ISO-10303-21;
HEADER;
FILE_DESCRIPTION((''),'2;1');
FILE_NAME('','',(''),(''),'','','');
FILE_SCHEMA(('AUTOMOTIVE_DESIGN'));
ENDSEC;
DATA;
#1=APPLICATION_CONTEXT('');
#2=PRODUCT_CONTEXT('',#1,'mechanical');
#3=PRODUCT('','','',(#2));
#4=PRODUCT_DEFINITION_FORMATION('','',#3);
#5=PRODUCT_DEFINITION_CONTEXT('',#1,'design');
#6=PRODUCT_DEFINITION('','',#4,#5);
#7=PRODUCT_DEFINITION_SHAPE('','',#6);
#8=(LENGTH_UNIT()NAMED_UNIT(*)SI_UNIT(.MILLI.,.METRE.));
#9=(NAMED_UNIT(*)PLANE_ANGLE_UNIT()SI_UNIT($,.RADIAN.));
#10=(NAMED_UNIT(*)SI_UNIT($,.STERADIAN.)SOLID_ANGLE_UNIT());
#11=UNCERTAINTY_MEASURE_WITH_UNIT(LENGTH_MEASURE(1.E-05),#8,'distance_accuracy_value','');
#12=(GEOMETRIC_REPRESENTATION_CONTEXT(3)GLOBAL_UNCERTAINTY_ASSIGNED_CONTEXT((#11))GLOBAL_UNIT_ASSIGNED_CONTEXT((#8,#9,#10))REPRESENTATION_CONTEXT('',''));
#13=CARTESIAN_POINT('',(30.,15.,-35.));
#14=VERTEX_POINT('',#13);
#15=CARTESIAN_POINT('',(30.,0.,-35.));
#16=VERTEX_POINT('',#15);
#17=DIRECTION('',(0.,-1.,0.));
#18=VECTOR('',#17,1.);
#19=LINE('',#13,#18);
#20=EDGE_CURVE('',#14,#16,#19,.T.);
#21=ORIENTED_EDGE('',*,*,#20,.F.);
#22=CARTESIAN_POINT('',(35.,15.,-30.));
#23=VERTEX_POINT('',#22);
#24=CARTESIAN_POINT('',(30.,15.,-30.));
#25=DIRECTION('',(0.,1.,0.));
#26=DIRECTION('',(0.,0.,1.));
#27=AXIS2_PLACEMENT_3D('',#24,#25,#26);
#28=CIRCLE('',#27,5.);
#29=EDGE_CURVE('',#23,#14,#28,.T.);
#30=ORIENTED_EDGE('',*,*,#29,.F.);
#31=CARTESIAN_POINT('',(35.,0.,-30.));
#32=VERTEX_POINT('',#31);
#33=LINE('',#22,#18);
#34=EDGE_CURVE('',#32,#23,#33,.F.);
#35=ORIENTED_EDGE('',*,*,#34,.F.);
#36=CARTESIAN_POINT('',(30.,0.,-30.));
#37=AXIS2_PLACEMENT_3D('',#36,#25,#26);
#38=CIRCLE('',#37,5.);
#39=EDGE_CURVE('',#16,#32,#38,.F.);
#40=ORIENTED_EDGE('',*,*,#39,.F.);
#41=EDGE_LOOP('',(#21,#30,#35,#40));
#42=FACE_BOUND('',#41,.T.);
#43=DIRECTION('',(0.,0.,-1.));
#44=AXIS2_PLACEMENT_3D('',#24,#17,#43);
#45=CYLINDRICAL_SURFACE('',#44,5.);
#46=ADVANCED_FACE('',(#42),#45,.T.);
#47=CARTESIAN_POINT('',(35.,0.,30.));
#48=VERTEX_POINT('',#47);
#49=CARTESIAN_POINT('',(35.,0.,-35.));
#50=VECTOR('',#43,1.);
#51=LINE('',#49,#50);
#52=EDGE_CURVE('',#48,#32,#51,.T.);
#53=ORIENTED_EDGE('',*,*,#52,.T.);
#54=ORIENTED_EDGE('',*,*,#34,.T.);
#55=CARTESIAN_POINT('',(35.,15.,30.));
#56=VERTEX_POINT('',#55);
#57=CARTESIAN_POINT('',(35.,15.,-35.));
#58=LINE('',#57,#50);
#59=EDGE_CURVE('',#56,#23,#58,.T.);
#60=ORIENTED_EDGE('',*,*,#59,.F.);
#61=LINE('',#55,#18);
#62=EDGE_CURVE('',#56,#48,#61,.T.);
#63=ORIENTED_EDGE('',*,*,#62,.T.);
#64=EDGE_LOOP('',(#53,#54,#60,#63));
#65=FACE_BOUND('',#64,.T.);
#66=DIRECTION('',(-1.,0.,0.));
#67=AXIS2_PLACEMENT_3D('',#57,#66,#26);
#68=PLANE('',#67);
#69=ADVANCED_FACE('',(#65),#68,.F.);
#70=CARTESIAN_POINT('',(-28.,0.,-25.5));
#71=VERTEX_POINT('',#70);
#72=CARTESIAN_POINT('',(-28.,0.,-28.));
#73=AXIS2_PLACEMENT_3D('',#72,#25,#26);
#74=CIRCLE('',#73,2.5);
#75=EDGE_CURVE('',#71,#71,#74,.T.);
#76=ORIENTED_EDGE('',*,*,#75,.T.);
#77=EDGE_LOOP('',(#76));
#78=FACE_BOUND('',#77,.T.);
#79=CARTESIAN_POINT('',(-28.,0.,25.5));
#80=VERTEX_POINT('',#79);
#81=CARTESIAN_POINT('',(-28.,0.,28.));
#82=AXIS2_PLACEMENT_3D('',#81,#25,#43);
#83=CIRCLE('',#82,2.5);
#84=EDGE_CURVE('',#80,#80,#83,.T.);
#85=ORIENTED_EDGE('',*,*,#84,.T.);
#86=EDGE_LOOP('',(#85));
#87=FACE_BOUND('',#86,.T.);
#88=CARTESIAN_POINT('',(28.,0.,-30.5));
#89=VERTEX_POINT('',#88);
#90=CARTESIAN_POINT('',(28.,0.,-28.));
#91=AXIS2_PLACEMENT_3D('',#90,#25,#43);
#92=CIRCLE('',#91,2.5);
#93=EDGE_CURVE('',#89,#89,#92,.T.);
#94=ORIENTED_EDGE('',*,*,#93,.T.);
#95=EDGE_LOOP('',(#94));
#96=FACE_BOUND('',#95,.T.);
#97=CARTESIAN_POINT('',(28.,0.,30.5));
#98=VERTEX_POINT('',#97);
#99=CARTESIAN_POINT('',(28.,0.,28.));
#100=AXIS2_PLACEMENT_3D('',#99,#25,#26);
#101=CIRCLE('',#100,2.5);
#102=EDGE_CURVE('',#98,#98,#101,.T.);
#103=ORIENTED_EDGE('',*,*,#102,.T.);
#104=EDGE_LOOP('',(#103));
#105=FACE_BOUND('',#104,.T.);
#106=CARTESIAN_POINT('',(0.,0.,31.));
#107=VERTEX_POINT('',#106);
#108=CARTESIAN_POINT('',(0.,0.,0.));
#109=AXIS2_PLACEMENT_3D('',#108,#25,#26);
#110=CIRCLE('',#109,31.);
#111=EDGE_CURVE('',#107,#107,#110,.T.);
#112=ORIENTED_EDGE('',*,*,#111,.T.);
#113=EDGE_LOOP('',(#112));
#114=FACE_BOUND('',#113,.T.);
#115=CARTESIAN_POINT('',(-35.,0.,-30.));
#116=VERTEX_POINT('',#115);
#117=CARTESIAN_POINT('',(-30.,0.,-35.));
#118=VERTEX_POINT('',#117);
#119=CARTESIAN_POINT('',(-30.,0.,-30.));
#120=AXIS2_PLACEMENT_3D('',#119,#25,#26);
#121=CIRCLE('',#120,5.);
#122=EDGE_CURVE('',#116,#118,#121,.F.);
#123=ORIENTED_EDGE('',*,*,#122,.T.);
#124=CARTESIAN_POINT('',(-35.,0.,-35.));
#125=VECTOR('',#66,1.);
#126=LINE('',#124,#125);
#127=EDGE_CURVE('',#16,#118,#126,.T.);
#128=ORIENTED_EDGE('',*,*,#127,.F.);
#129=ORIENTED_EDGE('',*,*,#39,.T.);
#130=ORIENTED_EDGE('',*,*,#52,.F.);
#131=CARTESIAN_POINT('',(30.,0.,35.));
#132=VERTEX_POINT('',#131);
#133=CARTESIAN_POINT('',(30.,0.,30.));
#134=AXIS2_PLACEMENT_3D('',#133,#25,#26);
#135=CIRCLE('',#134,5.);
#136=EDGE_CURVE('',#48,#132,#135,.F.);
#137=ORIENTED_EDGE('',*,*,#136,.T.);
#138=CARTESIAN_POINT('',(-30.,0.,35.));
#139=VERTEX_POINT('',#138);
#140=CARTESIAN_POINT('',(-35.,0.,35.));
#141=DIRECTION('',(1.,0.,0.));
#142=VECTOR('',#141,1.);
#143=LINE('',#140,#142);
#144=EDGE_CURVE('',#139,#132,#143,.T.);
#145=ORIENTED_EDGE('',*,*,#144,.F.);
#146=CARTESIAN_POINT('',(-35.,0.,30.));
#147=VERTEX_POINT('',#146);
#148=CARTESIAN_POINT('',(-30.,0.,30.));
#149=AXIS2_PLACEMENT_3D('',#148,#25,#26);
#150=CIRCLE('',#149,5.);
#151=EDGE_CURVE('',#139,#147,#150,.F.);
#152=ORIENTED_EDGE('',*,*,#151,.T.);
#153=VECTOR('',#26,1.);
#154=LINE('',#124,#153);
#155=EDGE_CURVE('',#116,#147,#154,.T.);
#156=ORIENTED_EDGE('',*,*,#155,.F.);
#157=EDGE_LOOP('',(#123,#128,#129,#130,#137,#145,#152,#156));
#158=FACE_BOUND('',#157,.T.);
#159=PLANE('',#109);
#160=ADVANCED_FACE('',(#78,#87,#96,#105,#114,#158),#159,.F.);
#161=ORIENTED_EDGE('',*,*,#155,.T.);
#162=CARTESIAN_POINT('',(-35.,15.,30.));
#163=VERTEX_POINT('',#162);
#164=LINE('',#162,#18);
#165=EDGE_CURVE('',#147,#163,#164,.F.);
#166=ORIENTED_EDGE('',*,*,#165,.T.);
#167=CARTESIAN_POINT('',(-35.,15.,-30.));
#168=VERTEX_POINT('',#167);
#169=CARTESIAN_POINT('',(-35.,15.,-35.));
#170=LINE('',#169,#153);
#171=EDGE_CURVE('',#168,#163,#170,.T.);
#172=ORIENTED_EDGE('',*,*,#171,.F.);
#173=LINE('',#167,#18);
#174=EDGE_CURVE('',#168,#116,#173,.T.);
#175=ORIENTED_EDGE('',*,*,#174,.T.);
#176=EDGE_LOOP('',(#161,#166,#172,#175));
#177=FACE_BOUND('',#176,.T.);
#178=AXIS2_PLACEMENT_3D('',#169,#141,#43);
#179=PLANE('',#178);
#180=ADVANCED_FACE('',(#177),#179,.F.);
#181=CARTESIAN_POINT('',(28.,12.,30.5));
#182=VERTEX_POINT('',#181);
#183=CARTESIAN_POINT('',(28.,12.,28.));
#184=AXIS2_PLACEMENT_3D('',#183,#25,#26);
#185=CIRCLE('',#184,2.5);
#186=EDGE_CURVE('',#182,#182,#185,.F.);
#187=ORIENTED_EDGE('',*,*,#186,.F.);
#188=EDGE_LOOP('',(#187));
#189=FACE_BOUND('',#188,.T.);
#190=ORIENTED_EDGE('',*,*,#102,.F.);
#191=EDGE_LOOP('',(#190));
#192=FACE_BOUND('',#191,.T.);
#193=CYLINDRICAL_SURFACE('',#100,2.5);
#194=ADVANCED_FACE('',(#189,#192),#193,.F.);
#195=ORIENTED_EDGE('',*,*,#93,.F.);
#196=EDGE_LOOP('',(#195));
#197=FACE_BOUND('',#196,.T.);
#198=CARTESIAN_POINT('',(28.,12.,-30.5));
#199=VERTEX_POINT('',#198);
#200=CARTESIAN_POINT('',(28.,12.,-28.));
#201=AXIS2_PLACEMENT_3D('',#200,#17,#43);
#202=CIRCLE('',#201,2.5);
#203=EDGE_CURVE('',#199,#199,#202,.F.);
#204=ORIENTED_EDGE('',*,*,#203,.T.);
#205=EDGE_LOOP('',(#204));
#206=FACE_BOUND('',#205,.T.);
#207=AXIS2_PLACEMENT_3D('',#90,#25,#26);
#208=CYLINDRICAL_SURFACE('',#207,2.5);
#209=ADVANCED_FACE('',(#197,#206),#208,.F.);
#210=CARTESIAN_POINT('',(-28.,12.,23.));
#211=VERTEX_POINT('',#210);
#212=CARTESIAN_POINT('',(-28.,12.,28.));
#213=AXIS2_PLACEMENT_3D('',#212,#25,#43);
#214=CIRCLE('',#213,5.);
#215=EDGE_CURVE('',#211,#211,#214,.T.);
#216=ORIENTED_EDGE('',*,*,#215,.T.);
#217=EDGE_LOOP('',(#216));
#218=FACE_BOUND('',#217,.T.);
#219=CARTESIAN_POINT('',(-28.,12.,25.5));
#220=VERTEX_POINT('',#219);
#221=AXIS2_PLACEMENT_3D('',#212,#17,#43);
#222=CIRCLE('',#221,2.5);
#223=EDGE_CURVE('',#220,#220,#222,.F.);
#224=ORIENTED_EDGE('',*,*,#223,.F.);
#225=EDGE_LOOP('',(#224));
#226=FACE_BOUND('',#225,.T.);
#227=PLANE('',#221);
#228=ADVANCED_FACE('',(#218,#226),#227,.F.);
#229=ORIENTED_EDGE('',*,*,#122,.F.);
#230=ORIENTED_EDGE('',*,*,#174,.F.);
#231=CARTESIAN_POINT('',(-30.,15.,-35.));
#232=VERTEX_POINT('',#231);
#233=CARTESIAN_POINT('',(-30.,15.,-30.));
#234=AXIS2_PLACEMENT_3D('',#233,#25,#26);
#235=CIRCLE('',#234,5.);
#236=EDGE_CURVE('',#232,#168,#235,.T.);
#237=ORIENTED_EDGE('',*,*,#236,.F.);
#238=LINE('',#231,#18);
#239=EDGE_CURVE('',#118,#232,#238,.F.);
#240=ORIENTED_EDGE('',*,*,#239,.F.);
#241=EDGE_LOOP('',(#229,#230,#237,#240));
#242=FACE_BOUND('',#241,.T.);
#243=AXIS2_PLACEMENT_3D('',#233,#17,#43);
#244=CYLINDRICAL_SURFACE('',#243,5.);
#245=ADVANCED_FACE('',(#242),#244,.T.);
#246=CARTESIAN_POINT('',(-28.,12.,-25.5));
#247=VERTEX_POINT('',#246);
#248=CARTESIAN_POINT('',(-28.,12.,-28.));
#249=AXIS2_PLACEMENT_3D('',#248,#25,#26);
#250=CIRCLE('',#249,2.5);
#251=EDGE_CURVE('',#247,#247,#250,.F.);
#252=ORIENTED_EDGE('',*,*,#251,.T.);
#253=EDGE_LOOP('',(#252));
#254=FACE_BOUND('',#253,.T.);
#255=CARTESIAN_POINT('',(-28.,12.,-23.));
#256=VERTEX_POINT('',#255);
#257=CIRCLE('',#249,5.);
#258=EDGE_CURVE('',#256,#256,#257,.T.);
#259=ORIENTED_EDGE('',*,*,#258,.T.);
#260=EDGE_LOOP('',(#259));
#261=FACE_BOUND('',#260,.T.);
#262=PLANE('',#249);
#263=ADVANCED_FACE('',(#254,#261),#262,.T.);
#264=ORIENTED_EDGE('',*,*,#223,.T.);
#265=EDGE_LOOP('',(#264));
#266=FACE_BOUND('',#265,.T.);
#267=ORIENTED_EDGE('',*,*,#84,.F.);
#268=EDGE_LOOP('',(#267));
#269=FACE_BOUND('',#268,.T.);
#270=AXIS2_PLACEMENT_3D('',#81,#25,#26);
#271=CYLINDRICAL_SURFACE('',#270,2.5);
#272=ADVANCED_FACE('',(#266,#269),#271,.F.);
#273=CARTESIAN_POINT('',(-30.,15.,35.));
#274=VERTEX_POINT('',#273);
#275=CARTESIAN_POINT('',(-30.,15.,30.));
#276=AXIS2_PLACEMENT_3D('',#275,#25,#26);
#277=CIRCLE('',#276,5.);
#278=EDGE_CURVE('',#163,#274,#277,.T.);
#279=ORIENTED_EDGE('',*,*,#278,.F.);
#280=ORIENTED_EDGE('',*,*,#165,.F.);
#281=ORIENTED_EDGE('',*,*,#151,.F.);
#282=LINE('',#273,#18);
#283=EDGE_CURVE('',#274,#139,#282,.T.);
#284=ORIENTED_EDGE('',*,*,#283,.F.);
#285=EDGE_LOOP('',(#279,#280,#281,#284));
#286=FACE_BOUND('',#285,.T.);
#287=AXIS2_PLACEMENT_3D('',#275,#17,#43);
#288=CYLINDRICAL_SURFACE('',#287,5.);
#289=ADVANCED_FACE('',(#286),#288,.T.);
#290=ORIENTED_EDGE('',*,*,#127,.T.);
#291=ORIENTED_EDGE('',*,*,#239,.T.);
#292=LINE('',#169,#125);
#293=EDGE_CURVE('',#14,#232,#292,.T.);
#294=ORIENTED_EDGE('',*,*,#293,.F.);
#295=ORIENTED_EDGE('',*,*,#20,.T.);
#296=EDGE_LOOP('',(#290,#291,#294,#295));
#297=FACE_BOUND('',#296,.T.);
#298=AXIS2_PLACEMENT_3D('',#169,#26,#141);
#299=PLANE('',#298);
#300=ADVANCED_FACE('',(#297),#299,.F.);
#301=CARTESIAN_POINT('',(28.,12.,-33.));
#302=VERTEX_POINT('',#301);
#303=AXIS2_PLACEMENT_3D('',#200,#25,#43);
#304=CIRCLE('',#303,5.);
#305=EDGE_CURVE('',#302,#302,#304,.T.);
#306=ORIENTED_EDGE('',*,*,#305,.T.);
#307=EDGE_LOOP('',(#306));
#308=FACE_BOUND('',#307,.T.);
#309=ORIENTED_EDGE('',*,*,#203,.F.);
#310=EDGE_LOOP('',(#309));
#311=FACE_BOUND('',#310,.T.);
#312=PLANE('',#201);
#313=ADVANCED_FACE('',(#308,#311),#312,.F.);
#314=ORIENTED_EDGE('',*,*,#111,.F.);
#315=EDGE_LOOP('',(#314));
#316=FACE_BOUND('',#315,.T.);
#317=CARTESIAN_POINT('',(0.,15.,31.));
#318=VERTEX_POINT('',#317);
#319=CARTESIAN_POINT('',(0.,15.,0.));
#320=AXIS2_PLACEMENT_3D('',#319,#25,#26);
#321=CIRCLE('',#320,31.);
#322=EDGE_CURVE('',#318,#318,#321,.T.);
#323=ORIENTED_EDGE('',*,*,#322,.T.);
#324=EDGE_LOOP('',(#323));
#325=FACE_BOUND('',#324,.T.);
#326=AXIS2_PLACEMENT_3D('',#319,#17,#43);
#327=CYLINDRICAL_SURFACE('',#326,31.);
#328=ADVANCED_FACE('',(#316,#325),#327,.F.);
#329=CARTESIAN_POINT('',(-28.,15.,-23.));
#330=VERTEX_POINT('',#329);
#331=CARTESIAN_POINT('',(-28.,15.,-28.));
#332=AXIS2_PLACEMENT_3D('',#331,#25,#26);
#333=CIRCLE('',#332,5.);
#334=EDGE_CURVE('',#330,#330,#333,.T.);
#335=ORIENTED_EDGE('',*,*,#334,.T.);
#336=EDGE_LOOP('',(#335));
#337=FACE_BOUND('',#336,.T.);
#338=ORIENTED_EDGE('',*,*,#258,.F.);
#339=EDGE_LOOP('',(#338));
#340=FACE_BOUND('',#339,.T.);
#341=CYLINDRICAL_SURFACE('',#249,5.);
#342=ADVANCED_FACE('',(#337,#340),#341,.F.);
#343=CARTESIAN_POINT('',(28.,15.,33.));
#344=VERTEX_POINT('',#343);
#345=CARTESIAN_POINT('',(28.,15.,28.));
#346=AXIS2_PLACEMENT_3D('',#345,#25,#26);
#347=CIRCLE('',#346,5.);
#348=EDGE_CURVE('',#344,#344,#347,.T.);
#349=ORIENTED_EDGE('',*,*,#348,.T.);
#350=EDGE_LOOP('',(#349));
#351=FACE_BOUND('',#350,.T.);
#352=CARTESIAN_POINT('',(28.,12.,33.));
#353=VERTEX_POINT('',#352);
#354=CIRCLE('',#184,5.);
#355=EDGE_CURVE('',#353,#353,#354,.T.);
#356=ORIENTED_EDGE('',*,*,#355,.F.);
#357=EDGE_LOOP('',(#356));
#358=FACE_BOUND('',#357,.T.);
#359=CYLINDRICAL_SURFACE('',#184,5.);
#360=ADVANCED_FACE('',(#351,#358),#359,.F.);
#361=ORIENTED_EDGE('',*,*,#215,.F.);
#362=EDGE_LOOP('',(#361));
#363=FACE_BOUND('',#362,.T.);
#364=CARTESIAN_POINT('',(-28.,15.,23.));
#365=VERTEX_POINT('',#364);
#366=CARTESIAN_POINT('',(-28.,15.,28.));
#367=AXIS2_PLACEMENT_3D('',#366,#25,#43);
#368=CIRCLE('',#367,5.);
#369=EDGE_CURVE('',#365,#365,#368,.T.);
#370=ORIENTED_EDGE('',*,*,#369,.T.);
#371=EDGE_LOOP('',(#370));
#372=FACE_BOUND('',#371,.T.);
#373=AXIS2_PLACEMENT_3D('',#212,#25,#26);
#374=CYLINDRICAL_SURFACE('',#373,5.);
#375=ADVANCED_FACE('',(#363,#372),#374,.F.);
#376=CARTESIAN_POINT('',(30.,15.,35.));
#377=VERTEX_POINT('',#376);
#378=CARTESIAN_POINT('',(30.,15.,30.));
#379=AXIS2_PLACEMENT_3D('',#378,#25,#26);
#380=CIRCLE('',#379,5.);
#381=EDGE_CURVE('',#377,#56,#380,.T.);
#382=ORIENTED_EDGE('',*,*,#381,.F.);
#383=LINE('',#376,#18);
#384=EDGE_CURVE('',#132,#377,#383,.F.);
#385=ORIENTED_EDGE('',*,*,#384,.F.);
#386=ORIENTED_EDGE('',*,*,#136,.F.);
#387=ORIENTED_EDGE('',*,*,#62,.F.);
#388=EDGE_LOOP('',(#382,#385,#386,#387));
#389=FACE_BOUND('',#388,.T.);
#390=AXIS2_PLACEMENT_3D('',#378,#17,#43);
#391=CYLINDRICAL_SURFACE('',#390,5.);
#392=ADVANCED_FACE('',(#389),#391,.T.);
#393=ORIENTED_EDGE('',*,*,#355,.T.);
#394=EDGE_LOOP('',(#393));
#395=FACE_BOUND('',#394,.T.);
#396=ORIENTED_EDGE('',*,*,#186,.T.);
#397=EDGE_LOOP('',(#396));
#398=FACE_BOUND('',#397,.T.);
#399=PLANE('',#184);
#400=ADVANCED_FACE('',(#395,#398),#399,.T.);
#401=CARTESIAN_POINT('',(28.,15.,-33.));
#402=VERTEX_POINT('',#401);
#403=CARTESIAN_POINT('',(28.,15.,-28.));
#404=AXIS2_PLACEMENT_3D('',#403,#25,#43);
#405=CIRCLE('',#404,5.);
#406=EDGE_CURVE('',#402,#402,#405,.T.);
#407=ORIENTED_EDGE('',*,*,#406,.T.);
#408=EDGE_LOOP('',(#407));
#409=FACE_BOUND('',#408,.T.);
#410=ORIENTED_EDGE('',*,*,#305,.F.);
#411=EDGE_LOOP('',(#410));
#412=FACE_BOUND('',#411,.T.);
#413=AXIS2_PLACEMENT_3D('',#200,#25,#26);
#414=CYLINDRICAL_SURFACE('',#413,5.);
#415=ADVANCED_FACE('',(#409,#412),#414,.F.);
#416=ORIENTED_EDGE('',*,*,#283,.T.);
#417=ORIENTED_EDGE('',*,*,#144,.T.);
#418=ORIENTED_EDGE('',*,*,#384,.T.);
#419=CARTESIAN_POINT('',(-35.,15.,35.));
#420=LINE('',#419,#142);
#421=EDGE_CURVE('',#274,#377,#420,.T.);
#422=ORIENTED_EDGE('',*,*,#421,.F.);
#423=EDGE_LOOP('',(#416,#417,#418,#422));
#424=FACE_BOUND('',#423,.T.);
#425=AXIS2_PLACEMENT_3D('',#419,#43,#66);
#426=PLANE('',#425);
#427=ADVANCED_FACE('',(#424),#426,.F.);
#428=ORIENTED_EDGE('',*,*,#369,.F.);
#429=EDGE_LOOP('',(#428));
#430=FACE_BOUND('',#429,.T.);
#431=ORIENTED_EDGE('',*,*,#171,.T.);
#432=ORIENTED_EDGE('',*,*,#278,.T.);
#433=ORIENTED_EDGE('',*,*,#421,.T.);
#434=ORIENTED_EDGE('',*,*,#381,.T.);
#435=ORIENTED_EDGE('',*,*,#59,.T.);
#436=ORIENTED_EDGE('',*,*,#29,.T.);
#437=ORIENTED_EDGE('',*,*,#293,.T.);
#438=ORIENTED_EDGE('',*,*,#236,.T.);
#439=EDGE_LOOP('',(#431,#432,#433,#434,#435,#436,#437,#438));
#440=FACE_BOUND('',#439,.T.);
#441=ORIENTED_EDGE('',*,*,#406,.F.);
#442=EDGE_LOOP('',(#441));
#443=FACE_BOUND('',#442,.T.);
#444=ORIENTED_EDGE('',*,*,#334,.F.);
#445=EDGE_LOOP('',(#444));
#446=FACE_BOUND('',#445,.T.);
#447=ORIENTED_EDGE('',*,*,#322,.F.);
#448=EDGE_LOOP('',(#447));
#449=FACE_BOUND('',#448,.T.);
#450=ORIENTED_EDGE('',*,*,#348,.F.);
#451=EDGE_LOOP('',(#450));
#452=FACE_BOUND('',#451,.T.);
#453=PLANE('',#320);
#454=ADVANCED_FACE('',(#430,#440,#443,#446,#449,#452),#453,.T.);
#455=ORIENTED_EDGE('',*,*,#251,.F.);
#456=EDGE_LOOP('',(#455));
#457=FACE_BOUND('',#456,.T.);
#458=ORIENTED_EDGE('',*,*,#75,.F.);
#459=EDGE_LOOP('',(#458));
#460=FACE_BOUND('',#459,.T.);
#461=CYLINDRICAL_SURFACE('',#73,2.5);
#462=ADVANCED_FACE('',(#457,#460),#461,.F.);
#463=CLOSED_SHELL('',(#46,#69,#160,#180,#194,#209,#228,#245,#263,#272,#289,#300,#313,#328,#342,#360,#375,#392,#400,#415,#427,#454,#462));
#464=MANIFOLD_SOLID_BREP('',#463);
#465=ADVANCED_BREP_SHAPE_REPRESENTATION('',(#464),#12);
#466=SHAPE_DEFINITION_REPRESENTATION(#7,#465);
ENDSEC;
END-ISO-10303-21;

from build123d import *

# Parameters (mm, degrees)
SKETCH1_W           = 70
SKETCH1_H           = 70
SKETCH1_R           = 31
BOSS_EXTRUDE1_DEPTH = 15
SKETCH2_R           = 2.5
CUT_EXTRUDE1_DEPTH  = 52.720402164
FILLET1_R           = 5
SKETCH3_R           = 5
CUT_EXTRUDE2_DEPTH  = 3


with BuildPart() as part:
    # Sketch1 → Boss-Extrude1 (new body)
    with BuildSketch(Plane(origin=(0, 0, 0), x_dir=(1, 0, 0), z_dir=(0, 1, 0))):
        Rectangle(SKETCH1_W, SKETCH1_H)
        with Locations(Location((0, 0, 0), (0, 0, 270))):
            Circle(SKETCH1_R, mode=Mode.SUBTRACT)
    extrude(amount=BOSS_EXTRUDE1_DEPTH)

    # Sketch2 → Cut-Extrude1 (cut, through all)
    with BuildSketch(Plane(origin=(0, 15, 0), x_dir=(1, 0, 0), z_dir=(0, 1, 0))):
        with Locations(Location((-28, 28, 0), (0, 0, 270))):
            Circle(SKETCH2_R)
        with Locations(Location((28, 28, 0), (0, 0, 90))):
            Circle(SKETCH2_R)
        with Locations(Location((28, -28, 0), (0, 0, 270))):
            Circle(SKETCH2_R)
        with Locations(Location((-28, -28, 0), (0, 0, 90))):
            Circle(SKETCH2_R)
    extrude(amount=-CUT_EXTRUDE1_DEPTH, mode=Mode.SUBTRACT)

    # Fillet1
    fillet1_edges = [part.edges().sort_by_distance(p)[0] for p in [
        (35, 7.5, 35),
        (-35, 7.5, 35),
        (-35, 7.5, -35),
        (35, 7.5, -35),
    ]]
    fillet(fillet1_edges, radius=FILLET1_R)

    # Sketch3 → Cut-Extrude2 (cut)
    with BuildSketch(Plane(origin=(0, 15, 0), x_dir=(1, 0, 0), z_dir=(0, 1, 0))):
        with Locations(Location((-28, 28, 0), (0, 0, 270))):
            Circle(SKETCH3_R)
        with Locations(Location((-28, -28, 0), (0, 0, 90))):
            Circle(SKETCH3_R)
        with Locations(Location((28, 28, 0), (0, 0, 90))):
            Circle(SKETCH3_R)
        with Locations(Location((28, -28, 0), (0, 0, 270))):
            Circle(SKETCH3_R)
    extrude(amount=-CUT_EXTRUDE2_DEPTH, mode=Mode.SUBTRACT)


solid = part.part
